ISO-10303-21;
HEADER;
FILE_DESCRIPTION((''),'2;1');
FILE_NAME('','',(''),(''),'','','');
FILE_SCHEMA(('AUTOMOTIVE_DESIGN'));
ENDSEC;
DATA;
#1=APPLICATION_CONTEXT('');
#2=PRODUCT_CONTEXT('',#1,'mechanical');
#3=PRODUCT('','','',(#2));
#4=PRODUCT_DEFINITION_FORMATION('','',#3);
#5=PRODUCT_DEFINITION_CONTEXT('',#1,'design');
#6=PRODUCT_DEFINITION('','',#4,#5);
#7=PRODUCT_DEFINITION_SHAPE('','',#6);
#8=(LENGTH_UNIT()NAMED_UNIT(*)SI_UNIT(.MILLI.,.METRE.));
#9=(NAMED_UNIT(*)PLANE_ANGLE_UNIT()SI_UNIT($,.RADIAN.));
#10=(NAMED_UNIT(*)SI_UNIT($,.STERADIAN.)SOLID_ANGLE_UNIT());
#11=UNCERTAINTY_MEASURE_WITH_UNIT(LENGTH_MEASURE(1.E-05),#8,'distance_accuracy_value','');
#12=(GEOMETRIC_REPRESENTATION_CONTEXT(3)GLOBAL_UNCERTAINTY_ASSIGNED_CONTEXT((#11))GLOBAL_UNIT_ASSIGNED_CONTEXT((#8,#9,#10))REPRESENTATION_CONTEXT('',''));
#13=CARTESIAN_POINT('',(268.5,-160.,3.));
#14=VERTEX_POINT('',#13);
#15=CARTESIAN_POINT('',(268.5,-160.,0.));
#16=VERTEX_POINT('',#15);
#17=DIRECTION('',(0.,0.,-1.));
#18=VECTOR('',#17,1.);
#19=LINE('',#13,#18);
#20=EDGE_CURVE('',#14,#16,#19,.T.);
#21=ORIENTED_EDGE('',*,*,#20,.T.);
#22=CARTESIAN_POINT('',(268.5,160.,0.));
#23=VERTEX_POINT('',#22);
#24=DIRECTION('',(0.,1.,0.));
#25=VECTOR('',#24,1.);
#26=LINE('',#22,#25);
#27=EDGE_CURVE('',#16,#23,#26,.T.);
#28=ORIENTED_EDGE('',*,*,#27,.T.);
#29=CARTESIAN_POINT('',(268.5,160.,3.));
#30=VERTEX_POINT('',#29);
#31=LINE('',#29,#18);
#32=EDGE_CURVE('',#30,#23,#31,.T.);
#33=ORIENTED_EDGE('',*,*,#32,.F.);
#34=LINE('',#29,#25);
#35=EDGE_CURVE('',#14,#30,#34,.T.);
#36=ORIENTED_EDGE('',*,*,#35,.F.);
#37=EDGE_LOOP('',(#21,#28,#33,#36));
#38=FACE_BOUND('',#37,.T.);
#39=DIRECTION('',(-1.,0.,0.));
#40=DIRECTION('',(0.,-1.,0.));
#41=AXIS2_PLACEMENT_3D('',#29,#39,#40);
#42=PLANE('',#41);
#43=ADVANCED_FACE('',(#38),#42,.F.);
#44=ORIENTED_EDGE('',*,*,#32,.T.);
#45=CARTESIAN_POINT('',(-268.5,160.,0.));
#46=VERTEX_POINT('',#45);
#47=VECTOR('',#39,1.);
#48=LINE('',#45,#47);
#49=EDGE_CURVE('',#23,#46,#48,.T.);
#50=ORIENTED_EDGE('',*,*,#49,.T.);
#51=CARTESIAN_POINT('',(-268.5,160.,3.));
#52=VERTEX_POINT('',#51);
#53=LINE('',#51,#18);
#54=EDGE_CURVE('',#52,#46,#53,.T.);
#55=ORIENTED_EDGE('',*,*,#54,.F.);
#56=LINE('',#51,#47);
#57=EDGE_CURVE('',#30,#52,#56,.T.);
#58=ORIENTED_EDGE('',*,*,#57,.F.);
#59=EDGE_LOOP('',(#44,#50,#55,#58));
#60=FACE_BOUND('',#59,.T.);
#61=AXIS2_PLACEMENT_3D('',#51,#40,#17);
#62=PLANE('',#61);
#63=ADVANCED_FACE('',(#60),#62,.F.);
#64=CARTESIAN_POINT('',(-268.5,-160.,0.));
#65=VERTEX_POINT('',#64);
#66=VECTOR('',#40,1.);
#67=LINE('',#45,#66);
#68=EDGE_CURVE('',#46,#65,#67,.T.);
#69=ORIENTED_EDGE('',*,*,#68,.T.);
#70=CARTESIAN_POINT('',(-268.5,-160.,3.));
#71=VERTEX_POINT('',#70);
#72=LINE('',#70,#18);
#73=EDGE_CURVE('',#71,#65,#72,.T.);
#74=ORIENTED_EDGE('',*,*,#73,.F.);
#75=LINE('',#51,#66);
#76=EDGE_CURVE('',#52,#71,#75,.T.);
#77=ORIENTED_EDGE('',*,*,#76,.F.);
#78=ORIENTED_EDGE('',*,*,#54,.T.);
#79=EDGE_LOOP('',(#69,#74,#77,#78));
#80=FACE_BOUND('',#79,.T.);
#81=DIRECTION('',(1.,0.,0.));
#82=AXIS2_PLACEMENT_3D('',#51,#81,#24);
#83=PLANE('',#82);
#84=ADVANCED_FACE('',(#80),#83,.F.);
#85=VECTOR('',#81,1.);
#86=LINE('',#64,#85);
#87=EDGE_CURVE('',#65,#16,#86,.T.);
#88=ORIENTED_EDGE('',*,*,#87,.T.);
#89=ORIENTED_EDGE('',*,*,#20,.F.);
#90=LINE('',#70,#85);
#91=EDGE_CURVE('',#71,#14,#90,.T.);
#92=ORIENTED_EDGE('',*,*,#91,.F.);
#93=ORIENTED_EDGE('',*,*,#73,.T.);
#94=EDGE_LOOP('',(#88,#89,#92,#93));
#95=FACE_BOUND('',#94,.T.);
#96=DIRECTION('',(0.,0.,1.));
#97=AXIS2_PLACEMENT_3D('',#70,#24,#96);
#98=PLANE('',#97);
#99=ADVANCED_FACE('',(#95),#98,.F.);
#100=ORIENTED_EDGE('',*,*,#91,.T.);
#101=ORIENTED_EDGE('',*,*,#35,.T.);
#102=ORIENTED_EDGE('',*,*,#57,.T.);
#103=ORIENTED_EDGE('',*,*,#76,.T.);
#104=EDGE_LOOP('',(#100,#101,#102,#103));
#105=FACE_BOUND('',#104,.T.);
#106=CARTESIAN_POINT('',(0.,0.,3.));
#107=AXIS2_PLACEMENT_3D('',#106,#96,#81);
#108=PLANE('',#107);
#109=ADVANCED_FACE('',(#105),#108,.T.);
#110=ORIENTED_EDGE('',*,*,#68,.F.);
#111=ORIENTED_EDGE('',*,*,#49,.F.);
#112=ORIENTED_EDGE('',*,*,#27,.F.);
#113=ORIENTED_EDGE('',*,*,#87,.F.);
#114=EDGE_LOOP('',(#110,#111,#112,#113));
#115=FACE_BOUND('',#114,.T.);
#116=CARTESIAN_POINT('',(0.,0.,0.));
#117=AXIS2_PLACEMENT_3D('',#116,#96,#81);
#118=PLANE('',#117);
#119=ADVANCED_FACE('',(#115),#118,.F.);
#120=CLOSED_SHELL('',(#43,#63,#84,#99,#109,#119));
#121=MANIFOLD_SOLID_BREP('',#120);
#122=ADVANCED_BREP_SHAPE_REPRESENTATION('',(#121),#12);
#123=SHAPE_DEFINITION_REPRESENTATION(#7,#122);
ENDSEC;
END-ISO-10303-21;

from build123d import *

# Parameters (mm, degrees)
SKETCH_1_W      = 537
SKETCH_1_H      = 320
EXTRUDE_1_DEPTH = 3


with BuildPart() as part:
    # 草图1 → 凸台-拉伸1 (new body)
    with BuildSketch(Plane.XY):
        Rectangle(SKETCH_1_W, SKETCH_1_H)
    extrude(amount=EXTRUDE_1_DEPTH)


solid = part.part
